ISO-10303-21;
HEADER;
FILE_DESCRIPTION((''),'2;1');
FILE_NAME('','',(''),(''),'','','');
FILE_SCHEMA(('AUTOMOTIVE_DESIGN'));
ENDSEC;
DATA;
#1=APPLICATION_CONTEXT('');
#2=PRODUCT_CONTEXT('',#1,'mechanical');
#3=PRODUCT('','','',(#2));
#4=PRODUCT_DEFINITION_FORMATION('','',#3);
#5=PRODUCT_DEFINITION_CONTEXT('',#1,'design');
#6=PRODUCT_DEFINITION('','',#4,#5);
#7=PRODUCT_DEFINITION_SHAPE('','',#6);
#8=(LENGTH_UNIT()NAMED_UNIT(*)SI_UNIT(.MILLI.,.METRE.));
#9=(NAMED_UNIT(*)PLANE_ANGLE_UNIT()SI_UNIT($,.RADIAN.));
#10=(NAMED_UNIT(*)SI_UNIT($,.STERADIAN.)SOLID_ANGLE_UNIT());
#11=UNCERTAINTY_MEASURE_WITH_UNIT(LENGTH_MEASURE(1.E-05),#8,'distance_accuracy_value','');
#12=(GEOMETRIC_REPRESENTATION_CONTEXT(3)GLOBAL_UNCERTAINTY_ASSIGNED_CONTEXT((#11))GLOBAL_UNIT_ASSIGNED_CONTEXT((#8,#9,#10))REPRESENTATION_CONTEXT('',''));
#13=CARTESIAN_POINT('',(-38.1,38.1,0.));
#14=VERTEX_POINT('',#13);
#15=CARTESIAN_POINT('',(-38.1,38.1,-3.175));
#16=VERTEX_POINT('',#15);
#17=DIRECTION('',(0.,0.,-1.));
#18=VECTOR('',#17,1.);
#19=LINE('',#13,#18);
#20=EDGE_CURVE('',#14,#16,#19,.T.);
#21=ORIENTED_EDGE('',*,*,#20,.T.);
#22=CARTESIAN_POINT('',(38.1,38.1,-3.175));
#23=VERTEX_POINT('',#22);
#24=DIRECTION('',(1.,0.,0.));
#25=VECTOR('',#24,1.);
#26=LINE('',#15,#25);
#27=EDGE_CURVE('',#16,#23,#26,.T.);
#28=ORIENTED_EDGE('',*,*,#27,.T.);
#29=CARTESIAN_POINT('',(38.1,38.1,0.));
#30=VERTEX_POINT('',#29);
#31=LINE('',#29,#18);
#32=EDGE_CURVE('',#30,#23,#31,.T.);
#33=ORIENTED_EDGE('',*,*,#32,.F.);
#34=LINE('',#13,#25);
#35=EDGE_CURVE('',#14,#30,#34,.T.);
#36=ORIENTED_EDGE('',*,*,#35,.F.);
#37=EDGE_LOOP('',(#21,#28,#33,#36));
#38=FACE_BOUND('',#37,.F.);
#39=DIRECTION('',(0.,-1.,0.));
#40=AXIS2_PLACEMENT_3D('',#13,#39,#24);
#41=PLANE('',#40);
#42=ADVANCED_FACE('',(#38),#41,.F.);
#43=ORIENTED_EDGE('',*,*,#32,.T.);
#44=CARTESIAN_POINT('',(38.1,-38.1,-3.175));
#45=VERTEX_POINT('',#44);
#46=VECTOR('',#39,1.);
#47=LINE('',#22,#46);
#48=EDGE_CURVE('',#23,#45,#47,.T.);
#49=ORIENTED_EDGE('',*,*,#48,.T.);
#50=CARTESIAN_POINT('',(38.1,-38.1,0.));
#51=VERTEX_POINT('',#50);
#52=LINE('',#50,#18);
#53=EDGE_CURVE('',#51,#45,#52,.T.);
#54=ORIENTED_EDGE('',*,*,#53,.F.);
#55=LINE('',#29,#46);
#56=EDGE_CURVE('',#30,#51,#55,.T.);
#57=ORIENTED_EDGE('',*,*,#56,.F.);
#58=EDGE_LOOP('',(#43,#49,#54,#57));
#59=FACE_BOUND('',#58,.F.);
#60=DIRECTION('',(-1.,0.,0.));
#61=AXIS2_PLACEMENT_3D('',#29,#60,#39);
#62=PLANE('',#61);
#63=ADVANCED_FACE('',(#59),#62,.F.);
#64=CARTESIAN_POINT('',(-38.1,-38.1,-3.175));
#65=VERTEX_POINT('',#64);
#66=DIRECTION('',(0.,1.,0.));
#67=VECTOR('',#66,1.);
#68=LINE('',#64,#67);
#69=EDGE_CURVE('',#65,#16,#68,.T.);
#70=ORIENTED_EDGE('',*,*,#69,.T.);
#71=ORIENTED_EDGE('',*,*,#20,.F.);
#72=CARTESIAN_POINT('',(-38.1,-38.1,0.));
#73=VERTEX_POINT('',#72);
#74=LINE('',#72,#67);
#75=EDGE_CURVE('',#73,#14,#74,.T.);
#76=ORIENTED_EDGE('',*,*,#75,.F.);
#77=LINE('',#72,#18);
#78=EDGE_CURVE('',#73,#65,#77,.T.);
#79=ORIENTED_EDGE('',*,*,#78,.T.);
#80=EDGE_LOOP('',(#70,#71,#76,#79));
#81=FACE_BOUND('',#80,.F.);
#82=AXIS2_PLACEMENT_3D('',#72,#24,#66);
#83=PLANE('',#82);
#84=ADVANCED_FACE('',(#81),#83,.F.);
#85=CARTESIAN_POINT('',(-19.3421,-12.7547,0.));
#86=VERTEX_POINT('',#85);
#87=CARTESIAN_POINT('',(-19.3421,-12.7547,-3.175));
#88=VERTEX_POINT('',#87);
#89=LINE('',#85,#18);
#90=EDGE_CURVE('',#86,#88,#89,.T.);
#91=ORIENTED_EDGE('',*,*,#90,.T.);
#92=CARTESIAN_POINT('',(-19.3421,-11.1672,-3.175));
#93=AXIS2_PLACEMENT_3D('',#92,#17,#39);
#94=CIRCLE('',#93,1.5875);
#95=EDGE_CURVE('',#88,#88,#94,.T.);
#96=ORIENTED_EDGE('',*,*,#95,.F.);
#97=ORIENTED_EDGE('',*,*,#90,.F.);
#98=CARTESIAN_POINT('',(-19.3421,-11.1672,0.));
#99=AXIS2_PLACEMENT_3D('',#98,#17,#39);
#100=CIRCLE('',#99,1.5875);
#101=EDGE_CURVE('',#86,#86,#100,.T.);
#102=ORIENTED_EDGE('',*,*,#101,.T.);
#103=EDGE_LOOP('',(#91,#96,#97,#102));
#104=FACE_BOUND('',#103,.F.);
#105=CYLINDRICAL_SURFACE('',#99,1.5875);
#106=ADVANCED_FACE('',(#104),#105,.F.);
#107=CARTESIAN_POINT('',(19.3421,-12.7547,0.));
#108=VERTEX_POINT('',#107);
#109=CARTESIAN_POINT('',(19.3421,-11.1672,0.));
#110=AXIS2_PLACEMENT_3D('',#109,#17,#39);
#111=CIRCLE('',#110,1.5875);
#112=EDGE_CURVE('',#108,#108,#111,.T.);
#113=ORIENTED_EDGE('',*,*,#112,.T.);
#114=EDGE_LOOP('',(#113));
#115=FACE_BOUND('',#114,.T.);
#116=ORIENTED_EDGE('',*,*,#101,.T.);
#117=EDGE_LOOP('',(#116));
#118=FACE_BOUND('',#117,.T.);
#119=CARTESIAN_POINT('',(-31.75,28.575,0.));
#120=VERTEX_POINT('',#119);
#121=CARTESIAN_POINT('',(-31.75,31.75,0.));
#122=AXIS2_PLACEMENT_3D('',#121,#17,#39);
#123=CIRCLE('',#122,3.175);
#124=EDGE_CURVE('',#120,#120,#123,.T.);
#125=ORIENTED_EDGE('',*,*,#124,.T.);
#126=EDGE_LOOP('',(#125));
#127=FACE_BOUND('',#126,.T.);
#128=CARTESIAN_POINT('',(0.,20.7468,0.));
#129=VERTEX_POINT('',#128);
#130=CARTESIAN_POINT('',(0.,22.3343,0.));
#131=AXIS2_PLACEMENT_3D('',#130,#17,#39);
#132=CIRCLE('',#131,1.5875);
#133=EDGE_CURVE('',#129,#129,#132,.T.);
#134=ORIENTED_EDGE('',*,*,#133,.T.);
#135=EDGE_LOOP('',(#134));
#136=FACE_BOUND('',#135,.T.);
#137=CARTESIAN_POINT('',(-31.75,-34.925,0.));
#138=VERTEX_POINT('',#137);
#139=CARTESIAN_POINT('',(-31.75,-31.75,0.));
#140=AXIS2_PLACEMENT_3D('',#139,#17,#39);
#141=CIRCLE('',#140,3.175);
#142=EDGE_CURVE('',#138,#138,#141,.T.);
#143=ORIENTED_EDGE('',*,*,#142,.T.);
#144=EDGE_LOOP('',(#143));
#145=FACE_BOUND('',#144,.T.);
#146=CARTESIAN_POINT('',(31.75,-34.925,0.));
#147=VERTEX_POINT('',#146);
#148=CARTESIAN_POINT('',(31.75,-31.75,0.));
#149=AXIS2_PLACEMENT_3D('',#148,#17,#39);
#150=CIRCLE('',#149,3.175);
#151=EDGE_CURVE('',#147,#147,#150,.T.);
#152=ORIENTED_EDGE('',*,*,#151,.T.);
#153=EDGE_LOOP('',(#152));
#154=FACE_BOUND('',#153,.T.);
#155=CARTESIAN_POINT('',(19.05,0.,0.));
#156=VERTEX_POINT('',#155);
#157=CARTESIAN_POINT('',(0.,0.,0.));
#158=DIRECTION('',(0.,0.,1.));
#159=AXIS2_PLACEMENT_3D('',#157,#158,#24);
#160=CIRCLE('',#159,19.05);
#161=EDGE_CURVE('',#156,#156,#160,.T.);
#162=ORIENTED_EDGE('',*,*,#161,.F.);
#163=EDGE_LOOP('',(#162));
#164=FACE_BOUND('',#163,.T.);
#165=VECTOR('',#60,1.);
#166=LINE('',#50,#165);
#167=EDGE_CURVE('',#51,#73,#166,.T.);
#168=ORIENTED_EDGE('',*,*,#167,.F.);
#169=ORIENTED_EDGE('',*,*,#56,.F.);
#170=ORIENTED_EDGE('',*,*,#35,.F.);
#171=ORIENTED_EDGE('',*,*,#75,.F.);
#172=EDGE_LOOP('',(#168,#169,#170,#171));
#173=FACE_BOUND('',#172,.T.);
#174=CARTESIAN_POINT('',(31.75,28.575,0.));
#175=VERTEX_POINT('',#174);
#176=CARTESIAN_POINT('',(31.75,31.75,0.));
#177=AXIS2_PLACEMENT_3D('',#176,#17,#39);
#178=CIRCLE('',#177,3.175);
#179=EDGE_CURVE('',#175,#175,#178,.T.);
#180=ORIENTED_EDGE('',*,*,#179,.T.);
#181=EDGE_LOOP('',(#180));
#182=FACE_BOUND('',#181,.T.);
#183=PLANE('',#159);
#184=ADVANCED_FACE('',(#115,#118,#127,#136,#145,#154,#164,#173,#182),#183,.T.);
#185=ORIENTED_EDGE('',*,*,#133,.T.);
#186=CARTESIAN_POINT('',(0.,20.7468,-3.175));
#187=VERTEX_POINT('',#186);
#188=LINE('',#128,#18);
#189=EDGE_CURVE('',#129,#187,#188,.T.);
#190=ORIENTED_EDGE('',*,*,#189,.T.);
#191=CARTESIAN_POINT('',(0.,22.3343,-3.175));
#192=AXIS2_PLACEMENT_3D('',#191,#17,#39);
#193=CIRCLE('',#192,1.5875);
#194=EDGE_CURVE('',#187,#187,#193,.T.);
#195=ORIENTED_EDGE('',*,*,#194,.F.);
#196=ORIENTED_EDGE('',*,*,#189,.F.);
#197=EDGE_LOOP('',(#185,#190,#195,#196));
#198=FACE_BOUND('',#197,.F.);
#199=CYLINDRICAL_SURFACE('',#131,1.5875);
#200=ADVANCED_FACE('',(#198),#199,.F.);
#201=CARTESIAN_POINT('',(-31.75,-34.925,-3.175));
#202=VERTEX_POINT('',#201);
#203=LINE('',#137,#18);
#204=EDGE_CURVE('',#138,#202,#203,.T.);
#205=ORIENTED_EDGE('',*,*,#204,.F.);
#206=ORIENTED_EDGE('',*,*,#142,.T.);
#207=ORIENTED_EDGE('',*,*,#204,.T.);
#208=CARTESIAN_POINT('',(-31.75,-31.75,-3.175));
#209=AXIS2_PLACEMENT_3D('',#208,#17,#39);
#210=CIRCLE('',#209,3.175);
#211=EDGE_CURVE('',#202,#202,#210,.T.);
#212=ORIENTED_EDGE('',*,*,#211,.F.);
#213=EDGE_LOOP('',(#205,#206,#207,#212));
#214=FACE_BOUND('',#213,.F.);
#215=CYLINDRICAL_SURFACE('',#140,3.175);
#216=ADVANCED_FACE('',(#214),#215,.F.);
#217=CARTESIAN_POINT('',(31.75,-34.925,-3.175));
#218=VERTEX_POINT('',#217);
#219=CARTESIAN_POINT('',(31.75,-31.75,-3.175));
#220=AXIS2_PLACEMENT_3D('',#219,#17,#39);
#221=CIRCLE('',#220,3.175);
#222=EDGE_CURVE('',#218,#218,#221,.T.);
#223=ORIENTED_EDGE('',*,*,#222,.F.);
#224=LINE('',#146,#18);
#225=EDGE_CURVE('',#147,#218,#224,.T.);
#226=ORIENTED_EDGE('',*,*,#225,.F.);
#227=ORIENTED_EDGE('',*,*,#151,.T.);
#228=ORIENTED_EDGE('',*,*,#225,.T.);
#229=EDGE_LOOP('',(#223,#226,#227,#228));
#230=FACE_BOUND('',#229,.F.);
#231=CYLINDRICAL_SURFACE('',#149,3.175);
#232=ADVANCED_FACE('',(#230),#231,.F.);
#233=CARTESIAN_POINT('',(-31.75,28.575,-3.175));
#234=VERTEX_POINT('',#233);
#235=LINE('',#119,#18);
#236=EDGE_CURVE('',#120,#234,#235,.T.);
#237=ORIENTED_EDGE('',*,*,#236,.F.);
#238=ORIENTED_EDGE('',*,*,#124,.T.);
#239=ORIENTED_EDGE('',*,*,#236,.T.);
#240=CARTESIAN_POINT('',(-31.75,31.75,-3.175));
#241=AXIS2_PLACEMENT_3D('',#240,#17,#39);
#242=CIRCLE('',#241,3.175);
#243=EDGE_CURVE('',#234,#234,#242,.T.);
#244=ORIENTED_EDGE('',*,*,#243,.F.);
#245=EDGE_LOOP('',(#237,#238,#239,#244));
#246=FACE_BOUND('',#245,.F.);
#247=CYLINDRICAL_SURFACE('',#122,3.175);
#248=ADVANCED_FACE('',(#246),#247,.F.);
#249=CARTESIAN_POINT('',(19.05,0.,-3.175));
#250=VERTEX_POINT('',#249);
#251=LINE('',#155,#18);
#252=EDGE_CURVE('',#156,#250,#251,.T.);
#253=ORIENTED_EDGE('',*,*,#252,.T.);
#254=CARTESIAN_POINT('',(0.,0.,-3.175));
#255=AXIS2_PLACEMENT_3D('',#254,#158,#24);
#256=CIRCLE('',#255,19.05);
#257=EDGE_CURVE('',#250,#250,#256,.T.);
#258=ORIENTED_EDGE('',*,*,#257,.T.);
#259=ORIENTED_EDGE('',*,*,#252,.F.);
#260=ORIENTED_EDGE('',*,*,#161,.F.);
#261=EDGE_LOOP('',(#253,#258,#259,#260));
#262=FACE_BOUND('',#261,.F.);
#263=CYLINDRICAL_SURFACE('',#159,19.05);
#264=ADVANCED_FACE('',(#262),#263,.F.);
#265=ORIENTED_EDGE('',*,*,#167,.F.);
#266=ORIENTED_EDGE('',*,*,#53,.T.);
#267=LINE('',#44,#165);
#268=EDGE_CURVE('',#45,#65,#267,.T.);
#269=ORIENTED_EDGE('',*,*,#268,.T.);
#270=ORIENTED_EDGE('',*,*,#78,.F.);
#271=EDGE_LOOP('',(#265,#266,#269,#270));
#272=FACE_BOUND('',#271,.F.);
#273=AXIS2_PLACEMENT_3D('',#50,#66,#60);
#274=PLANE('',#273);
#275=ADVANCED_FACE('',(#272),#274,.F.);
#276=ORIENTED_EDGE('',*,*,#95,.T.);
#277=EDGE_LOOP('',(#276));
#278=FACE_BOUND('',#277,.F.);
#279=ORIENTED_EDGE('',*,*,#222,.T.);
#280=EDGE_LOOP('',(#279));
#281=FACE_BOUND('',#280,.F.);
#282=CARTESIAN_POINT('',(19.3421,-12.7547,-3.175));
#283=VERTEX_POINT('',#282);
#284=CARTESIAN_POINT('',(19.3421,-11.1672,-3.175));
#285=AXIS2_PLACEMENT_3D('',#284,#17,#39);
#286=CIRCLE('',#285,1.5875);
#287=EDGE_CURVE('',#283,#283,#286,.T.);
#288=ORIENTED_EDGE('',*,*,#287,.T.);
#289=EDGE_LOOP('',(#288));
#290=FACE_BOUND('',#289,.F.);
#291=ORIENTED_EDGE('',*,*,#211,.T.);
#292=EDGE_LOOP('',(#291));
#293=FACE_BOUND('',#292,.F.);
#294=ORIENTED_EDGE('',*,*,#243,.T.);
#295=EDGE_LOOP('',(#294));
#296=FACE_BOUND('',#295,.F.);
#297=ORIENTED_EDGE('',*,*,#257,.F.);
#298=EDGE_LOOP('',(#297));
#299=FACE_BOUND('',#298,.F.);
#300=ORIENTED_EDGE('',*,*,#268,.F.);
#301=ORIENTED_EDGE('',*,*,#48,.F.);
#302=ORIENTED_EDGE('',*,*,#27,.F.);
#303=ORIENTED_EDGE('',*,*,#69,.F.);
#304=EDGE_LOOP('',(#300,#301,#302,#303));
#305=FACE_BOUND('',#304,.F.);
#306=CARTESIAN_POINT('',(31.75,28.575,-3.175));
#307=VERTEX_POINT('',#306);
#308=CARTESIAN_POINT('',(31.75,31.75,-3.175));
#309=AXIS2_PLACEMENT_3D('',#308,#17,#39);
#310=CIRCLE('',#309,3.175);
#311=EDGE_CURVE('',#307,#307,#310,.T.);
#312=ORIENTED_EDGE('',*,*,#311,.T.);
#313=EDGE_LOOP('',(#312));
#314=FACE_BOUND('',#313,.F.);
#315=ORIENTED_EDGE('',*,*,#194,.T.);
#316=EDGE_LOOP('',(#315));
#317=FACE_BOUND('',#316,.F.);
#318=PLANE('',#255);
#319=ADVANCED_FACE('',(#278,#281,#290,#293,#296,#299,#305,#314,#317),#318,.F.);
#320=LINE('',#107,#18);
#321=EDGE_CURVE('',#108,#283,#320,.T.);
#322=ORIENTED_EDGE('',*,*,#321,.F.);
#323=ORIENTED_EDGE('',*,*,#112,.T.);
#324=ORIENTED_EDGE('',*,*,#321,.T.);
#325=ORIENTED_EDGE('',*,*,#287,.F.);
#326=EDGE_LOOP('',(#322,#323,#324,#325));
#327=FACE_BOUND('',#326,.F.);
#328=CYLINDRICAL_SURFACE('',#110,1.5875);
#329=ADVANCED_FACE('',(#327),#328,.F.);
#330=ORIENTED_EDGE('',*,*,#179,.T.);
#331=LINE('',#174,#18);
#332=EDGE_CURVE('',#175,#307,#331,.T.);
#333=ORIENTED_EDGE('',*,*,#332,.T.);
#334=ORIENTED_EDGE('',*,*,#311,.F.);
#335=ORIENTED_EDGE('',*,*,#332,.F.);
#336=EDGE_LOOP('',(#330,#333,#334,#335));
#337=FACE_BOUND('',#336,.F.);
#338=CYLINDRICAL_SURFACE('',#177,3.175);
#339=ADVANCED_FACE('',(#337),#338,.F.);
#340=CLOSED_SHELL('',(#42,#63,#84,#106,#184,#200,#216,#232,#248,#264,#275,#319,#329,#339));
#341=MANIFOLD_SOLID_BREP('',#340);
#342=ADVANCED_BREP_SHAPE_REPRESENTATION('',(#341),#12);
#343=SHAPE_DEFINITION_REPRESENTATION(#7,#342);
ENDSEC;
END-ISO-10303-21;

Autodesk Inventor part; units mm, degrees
ref_plane "YZ Plane" through (0, 0, 0) normal (1, 0, 0) x (0, 1, 0)
ref_plane "XZ Plane" through (0, 0, 0) normal (0, 1, 0) x (-1, 0, 0)
ref_plane "XY Plane" through (0, 0, 0) normal (0, 0, 1) x (1, 0, 0)
sketch "Sketch1" plane through (0, 0, 0) normal (0, 0, 1) x (1, 0, 0)
  line L0 (-38.1, 38.1) -> (38.1, 38.1)
  line L1 (38.1, 38.1) -> (38.1, -38.1)
  line L2 (38.1, -38.1) -> (-38.1, -38.1)
  line L3 (-38.1, -38.1) -> (-38.1, 38.1)
  circle A0 centre (0, 0) radius 19.05
  point P0 (-31.75, 31.75)
  point P1 (31.75, 31.75)
  point P2 (31.75, -31.75)
  point P3 (-31.75, -31.75)
  dimension "d0" = 76.2
  dimension "d1" = 76.2
  dimension "d2" = 38.1
  dimension "d3" = 38.1
  dimension "d4" = 38.1
  dimension "d5" = 6.35
  dimension "d6" = 6.35
  dimension "d7" = 6.35
  dimension "d8" = 6.35
extrude "Extrusion1" add sketch "Sketch1" against normal blind 3.175
hole "Hole1" at (-31.75, 31.75, 0) at (31.75, 31.75, 0) at (31.75, -31.75, 0) at (-31.75, -31.75, 0) direction (0, 0, -1) diameter 6.35 end through all
sketch "Sketch2" plane through (0, 0, 0) normal (0, 0, 1) x (1, 0, 0)
  circle A0 centre (0, 0) radius 19.05 projected
  line L0 (-38.1, 38.1) -> (38.1, 38.1) projected
  line L1 (-38.1, -38.1) -> (-38.1, 38.1) projected
  line L2 (38.1, -38.1) -> (-38.1, -38.1) projected
  line L3 (38.1, 38.1) -> (38.1, -38.1) projected
  circle A1 centre (0, 0) radius 19.05 projected
  circle A2 centre (0, 0) radius 22.3343
  point P0 (0, 22.3343)
  point P1 (19.3421, -11.1672)
  point P2 (-19.3421, -11.1672)
  dimension "d19" = 38.6842
  dimension "d20" = 38.6842
  dimension "d21" = 38.6842
  dimension "d22" = 44.6687
  dimension "d24" = 38.1
hole "Hole2" at (0, 22.3343, 0) at (19.3421, -11.1672, 0) at (-19.3421, -11.1672, 0) direction (0, 0, -1) diameter 3.175 end through all
equation "\"d2\" = 0.5 * d1"
equation "\"d3\" = 0.5 * d0"
equation "\"d7\" = d6"
equation "\"d8\" = d5"
equation "\"d20\" = d19"
equation "\"d21\" = d19"
equation "\"d24\" = 0.5 * d1"
properties part number "Top Plate BD Motor mount"
